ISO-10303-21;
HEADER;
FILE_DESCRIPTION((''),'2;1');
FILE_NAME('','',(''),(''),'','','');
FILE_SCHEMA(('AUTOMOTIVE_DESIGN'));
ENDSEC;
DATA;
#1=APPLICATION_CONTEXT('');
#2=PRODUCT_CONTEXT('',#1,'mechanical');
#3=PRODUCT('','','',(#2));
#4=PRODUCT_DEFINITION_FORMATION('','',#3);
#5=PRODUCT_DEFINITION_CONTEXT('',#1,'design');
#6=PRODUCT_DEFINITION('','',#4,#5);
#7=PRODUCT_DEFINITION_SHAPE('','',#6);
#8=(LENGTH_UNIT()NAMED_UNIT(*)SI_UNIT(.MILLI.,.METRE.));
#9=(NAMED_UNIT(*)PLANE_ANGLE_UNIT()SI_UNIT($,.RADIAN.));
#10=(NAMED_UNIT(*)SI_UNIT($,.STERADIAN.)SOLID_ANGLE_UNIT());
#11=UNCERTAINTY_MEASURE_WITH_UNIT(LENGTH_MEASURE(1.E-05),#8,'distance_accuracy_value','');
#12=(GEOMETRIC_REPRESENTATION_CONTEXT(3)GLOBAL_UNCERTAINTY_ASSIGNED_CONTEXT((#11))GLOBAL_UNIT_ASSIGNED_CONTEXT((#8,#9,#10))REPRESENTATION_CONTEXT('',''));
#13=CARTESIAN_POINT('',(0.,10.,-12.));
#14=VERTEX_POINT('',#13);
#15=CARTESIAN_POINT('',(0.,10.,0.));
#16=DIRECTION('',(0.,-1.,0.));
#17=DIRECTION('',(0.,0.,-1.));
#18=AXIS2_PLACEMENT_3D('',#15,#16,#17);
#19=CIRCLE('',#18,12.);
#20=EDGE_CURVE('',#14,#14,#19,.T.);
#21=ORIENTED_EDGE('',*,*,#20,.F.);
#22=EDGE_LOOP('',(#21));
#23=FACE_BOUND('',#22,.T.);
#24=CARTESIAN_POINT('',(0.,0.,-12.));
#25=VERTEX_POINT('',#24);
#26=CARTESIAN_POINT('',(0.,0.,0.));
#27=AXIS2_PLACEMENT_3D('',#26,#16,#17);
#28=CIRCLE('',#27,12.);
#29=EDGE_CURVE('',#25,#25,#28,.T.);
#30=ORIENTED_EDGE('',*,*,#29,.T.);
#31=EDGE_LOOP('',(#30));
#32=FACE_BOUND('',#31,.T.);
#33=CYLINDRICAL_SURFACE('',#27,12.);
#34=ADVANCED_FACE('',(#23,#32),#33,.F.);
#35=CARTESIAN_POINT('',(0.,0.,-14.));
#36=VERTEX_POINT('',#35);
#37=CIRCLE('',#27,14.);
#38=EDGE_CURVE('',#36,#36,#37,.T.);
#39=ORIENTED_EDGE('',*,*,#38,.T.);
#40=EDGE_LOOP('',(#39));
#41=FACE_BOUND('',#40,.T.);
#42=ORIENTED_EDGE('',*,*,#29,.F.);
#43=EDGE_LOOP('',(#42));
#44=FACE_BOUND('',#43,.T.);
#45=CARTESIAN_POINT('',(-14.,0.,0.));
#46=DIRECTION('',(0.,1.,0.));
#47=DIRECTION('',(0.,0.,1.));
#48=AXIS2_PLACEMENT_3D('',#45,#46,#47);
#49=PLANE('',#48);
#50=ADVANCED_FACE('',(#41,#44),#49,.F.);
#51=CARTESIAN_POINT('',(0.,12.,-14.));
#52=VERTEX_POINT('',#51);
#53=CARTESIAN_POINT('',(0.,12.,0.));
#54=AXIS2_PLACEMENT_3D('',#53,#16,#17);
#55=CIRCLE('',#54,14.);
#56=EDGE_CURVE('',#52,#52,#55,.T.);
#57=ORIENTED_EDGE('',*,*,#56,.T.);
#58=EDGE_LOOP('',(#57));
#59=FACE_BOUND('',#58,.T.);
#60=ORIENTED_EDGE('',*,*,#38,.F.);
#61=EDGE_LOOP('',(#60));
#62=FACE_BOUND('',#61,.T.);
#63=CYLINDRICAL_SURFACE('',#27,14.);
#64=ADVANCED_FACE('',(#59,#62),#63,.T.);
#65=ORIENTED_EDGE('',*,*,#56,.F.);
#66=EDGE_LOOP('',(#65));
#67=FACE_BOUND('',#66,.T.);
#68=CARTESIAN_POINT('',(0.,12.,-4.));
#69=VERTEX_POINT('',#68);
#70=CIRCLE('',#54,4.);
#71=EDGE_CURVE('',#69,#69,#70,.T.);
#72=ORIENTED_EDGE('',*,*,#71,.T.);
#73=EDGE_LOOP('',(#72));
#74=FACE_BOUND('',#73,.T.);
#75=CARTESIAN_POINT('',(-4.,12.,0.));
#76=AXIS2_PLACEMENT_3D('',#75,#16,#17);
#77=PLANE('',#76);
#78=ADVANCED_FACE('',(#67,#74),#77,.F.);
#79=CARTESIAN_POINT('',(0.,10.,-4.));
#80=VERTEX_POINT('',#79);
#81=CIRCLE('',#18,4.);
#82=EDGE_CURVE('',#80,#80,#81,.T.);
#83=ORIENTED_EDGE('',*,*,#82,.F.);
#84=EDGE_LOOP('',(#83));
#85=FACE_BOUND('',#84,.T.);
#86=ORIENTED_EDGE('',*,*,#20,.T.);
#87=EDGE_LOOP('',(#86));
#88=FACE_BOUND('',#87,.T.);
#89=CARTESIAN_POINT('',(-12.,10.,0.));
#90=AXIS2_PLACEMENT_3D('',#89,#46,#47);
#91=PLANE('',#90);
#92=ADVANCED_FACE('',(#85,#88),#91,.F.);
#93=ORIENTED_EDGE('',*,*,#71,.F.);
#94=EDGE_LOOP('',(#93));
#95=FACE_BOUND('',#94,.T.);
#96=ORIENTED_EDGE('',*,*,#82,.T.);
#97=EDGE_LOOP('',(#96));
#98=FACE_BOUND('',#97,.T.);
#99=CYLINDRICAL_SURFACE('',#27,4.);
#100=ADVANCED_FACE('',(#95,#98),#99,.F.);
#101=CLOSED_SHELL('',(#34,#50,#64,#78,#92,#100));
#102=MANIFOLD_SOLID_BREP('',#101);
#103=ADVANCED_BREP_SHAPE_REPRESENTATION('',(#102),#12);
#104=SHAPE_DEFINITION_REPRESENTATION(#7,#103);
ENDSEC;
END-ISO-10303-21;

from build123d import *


with BuildPart() as part:
    # Schizzo1 → Rivoluzione1 (revolve)
    with BuildSketch(Plane.XY, mode=Mode.PRIVATE) as rivoluzione1_sk:
        Polygon((-12, 0), (-12, 10), (-4, 10), (-4, 12), (-14, 12), (-14, 0), align=None)
    revolve(rivoluzione1_sk.sketch.rotate(Axis((0, 0, 0), (0, 1, 0)), 270), axis=Axis((0, 0, 0), (0, 1, 0)))


solid = part.part
